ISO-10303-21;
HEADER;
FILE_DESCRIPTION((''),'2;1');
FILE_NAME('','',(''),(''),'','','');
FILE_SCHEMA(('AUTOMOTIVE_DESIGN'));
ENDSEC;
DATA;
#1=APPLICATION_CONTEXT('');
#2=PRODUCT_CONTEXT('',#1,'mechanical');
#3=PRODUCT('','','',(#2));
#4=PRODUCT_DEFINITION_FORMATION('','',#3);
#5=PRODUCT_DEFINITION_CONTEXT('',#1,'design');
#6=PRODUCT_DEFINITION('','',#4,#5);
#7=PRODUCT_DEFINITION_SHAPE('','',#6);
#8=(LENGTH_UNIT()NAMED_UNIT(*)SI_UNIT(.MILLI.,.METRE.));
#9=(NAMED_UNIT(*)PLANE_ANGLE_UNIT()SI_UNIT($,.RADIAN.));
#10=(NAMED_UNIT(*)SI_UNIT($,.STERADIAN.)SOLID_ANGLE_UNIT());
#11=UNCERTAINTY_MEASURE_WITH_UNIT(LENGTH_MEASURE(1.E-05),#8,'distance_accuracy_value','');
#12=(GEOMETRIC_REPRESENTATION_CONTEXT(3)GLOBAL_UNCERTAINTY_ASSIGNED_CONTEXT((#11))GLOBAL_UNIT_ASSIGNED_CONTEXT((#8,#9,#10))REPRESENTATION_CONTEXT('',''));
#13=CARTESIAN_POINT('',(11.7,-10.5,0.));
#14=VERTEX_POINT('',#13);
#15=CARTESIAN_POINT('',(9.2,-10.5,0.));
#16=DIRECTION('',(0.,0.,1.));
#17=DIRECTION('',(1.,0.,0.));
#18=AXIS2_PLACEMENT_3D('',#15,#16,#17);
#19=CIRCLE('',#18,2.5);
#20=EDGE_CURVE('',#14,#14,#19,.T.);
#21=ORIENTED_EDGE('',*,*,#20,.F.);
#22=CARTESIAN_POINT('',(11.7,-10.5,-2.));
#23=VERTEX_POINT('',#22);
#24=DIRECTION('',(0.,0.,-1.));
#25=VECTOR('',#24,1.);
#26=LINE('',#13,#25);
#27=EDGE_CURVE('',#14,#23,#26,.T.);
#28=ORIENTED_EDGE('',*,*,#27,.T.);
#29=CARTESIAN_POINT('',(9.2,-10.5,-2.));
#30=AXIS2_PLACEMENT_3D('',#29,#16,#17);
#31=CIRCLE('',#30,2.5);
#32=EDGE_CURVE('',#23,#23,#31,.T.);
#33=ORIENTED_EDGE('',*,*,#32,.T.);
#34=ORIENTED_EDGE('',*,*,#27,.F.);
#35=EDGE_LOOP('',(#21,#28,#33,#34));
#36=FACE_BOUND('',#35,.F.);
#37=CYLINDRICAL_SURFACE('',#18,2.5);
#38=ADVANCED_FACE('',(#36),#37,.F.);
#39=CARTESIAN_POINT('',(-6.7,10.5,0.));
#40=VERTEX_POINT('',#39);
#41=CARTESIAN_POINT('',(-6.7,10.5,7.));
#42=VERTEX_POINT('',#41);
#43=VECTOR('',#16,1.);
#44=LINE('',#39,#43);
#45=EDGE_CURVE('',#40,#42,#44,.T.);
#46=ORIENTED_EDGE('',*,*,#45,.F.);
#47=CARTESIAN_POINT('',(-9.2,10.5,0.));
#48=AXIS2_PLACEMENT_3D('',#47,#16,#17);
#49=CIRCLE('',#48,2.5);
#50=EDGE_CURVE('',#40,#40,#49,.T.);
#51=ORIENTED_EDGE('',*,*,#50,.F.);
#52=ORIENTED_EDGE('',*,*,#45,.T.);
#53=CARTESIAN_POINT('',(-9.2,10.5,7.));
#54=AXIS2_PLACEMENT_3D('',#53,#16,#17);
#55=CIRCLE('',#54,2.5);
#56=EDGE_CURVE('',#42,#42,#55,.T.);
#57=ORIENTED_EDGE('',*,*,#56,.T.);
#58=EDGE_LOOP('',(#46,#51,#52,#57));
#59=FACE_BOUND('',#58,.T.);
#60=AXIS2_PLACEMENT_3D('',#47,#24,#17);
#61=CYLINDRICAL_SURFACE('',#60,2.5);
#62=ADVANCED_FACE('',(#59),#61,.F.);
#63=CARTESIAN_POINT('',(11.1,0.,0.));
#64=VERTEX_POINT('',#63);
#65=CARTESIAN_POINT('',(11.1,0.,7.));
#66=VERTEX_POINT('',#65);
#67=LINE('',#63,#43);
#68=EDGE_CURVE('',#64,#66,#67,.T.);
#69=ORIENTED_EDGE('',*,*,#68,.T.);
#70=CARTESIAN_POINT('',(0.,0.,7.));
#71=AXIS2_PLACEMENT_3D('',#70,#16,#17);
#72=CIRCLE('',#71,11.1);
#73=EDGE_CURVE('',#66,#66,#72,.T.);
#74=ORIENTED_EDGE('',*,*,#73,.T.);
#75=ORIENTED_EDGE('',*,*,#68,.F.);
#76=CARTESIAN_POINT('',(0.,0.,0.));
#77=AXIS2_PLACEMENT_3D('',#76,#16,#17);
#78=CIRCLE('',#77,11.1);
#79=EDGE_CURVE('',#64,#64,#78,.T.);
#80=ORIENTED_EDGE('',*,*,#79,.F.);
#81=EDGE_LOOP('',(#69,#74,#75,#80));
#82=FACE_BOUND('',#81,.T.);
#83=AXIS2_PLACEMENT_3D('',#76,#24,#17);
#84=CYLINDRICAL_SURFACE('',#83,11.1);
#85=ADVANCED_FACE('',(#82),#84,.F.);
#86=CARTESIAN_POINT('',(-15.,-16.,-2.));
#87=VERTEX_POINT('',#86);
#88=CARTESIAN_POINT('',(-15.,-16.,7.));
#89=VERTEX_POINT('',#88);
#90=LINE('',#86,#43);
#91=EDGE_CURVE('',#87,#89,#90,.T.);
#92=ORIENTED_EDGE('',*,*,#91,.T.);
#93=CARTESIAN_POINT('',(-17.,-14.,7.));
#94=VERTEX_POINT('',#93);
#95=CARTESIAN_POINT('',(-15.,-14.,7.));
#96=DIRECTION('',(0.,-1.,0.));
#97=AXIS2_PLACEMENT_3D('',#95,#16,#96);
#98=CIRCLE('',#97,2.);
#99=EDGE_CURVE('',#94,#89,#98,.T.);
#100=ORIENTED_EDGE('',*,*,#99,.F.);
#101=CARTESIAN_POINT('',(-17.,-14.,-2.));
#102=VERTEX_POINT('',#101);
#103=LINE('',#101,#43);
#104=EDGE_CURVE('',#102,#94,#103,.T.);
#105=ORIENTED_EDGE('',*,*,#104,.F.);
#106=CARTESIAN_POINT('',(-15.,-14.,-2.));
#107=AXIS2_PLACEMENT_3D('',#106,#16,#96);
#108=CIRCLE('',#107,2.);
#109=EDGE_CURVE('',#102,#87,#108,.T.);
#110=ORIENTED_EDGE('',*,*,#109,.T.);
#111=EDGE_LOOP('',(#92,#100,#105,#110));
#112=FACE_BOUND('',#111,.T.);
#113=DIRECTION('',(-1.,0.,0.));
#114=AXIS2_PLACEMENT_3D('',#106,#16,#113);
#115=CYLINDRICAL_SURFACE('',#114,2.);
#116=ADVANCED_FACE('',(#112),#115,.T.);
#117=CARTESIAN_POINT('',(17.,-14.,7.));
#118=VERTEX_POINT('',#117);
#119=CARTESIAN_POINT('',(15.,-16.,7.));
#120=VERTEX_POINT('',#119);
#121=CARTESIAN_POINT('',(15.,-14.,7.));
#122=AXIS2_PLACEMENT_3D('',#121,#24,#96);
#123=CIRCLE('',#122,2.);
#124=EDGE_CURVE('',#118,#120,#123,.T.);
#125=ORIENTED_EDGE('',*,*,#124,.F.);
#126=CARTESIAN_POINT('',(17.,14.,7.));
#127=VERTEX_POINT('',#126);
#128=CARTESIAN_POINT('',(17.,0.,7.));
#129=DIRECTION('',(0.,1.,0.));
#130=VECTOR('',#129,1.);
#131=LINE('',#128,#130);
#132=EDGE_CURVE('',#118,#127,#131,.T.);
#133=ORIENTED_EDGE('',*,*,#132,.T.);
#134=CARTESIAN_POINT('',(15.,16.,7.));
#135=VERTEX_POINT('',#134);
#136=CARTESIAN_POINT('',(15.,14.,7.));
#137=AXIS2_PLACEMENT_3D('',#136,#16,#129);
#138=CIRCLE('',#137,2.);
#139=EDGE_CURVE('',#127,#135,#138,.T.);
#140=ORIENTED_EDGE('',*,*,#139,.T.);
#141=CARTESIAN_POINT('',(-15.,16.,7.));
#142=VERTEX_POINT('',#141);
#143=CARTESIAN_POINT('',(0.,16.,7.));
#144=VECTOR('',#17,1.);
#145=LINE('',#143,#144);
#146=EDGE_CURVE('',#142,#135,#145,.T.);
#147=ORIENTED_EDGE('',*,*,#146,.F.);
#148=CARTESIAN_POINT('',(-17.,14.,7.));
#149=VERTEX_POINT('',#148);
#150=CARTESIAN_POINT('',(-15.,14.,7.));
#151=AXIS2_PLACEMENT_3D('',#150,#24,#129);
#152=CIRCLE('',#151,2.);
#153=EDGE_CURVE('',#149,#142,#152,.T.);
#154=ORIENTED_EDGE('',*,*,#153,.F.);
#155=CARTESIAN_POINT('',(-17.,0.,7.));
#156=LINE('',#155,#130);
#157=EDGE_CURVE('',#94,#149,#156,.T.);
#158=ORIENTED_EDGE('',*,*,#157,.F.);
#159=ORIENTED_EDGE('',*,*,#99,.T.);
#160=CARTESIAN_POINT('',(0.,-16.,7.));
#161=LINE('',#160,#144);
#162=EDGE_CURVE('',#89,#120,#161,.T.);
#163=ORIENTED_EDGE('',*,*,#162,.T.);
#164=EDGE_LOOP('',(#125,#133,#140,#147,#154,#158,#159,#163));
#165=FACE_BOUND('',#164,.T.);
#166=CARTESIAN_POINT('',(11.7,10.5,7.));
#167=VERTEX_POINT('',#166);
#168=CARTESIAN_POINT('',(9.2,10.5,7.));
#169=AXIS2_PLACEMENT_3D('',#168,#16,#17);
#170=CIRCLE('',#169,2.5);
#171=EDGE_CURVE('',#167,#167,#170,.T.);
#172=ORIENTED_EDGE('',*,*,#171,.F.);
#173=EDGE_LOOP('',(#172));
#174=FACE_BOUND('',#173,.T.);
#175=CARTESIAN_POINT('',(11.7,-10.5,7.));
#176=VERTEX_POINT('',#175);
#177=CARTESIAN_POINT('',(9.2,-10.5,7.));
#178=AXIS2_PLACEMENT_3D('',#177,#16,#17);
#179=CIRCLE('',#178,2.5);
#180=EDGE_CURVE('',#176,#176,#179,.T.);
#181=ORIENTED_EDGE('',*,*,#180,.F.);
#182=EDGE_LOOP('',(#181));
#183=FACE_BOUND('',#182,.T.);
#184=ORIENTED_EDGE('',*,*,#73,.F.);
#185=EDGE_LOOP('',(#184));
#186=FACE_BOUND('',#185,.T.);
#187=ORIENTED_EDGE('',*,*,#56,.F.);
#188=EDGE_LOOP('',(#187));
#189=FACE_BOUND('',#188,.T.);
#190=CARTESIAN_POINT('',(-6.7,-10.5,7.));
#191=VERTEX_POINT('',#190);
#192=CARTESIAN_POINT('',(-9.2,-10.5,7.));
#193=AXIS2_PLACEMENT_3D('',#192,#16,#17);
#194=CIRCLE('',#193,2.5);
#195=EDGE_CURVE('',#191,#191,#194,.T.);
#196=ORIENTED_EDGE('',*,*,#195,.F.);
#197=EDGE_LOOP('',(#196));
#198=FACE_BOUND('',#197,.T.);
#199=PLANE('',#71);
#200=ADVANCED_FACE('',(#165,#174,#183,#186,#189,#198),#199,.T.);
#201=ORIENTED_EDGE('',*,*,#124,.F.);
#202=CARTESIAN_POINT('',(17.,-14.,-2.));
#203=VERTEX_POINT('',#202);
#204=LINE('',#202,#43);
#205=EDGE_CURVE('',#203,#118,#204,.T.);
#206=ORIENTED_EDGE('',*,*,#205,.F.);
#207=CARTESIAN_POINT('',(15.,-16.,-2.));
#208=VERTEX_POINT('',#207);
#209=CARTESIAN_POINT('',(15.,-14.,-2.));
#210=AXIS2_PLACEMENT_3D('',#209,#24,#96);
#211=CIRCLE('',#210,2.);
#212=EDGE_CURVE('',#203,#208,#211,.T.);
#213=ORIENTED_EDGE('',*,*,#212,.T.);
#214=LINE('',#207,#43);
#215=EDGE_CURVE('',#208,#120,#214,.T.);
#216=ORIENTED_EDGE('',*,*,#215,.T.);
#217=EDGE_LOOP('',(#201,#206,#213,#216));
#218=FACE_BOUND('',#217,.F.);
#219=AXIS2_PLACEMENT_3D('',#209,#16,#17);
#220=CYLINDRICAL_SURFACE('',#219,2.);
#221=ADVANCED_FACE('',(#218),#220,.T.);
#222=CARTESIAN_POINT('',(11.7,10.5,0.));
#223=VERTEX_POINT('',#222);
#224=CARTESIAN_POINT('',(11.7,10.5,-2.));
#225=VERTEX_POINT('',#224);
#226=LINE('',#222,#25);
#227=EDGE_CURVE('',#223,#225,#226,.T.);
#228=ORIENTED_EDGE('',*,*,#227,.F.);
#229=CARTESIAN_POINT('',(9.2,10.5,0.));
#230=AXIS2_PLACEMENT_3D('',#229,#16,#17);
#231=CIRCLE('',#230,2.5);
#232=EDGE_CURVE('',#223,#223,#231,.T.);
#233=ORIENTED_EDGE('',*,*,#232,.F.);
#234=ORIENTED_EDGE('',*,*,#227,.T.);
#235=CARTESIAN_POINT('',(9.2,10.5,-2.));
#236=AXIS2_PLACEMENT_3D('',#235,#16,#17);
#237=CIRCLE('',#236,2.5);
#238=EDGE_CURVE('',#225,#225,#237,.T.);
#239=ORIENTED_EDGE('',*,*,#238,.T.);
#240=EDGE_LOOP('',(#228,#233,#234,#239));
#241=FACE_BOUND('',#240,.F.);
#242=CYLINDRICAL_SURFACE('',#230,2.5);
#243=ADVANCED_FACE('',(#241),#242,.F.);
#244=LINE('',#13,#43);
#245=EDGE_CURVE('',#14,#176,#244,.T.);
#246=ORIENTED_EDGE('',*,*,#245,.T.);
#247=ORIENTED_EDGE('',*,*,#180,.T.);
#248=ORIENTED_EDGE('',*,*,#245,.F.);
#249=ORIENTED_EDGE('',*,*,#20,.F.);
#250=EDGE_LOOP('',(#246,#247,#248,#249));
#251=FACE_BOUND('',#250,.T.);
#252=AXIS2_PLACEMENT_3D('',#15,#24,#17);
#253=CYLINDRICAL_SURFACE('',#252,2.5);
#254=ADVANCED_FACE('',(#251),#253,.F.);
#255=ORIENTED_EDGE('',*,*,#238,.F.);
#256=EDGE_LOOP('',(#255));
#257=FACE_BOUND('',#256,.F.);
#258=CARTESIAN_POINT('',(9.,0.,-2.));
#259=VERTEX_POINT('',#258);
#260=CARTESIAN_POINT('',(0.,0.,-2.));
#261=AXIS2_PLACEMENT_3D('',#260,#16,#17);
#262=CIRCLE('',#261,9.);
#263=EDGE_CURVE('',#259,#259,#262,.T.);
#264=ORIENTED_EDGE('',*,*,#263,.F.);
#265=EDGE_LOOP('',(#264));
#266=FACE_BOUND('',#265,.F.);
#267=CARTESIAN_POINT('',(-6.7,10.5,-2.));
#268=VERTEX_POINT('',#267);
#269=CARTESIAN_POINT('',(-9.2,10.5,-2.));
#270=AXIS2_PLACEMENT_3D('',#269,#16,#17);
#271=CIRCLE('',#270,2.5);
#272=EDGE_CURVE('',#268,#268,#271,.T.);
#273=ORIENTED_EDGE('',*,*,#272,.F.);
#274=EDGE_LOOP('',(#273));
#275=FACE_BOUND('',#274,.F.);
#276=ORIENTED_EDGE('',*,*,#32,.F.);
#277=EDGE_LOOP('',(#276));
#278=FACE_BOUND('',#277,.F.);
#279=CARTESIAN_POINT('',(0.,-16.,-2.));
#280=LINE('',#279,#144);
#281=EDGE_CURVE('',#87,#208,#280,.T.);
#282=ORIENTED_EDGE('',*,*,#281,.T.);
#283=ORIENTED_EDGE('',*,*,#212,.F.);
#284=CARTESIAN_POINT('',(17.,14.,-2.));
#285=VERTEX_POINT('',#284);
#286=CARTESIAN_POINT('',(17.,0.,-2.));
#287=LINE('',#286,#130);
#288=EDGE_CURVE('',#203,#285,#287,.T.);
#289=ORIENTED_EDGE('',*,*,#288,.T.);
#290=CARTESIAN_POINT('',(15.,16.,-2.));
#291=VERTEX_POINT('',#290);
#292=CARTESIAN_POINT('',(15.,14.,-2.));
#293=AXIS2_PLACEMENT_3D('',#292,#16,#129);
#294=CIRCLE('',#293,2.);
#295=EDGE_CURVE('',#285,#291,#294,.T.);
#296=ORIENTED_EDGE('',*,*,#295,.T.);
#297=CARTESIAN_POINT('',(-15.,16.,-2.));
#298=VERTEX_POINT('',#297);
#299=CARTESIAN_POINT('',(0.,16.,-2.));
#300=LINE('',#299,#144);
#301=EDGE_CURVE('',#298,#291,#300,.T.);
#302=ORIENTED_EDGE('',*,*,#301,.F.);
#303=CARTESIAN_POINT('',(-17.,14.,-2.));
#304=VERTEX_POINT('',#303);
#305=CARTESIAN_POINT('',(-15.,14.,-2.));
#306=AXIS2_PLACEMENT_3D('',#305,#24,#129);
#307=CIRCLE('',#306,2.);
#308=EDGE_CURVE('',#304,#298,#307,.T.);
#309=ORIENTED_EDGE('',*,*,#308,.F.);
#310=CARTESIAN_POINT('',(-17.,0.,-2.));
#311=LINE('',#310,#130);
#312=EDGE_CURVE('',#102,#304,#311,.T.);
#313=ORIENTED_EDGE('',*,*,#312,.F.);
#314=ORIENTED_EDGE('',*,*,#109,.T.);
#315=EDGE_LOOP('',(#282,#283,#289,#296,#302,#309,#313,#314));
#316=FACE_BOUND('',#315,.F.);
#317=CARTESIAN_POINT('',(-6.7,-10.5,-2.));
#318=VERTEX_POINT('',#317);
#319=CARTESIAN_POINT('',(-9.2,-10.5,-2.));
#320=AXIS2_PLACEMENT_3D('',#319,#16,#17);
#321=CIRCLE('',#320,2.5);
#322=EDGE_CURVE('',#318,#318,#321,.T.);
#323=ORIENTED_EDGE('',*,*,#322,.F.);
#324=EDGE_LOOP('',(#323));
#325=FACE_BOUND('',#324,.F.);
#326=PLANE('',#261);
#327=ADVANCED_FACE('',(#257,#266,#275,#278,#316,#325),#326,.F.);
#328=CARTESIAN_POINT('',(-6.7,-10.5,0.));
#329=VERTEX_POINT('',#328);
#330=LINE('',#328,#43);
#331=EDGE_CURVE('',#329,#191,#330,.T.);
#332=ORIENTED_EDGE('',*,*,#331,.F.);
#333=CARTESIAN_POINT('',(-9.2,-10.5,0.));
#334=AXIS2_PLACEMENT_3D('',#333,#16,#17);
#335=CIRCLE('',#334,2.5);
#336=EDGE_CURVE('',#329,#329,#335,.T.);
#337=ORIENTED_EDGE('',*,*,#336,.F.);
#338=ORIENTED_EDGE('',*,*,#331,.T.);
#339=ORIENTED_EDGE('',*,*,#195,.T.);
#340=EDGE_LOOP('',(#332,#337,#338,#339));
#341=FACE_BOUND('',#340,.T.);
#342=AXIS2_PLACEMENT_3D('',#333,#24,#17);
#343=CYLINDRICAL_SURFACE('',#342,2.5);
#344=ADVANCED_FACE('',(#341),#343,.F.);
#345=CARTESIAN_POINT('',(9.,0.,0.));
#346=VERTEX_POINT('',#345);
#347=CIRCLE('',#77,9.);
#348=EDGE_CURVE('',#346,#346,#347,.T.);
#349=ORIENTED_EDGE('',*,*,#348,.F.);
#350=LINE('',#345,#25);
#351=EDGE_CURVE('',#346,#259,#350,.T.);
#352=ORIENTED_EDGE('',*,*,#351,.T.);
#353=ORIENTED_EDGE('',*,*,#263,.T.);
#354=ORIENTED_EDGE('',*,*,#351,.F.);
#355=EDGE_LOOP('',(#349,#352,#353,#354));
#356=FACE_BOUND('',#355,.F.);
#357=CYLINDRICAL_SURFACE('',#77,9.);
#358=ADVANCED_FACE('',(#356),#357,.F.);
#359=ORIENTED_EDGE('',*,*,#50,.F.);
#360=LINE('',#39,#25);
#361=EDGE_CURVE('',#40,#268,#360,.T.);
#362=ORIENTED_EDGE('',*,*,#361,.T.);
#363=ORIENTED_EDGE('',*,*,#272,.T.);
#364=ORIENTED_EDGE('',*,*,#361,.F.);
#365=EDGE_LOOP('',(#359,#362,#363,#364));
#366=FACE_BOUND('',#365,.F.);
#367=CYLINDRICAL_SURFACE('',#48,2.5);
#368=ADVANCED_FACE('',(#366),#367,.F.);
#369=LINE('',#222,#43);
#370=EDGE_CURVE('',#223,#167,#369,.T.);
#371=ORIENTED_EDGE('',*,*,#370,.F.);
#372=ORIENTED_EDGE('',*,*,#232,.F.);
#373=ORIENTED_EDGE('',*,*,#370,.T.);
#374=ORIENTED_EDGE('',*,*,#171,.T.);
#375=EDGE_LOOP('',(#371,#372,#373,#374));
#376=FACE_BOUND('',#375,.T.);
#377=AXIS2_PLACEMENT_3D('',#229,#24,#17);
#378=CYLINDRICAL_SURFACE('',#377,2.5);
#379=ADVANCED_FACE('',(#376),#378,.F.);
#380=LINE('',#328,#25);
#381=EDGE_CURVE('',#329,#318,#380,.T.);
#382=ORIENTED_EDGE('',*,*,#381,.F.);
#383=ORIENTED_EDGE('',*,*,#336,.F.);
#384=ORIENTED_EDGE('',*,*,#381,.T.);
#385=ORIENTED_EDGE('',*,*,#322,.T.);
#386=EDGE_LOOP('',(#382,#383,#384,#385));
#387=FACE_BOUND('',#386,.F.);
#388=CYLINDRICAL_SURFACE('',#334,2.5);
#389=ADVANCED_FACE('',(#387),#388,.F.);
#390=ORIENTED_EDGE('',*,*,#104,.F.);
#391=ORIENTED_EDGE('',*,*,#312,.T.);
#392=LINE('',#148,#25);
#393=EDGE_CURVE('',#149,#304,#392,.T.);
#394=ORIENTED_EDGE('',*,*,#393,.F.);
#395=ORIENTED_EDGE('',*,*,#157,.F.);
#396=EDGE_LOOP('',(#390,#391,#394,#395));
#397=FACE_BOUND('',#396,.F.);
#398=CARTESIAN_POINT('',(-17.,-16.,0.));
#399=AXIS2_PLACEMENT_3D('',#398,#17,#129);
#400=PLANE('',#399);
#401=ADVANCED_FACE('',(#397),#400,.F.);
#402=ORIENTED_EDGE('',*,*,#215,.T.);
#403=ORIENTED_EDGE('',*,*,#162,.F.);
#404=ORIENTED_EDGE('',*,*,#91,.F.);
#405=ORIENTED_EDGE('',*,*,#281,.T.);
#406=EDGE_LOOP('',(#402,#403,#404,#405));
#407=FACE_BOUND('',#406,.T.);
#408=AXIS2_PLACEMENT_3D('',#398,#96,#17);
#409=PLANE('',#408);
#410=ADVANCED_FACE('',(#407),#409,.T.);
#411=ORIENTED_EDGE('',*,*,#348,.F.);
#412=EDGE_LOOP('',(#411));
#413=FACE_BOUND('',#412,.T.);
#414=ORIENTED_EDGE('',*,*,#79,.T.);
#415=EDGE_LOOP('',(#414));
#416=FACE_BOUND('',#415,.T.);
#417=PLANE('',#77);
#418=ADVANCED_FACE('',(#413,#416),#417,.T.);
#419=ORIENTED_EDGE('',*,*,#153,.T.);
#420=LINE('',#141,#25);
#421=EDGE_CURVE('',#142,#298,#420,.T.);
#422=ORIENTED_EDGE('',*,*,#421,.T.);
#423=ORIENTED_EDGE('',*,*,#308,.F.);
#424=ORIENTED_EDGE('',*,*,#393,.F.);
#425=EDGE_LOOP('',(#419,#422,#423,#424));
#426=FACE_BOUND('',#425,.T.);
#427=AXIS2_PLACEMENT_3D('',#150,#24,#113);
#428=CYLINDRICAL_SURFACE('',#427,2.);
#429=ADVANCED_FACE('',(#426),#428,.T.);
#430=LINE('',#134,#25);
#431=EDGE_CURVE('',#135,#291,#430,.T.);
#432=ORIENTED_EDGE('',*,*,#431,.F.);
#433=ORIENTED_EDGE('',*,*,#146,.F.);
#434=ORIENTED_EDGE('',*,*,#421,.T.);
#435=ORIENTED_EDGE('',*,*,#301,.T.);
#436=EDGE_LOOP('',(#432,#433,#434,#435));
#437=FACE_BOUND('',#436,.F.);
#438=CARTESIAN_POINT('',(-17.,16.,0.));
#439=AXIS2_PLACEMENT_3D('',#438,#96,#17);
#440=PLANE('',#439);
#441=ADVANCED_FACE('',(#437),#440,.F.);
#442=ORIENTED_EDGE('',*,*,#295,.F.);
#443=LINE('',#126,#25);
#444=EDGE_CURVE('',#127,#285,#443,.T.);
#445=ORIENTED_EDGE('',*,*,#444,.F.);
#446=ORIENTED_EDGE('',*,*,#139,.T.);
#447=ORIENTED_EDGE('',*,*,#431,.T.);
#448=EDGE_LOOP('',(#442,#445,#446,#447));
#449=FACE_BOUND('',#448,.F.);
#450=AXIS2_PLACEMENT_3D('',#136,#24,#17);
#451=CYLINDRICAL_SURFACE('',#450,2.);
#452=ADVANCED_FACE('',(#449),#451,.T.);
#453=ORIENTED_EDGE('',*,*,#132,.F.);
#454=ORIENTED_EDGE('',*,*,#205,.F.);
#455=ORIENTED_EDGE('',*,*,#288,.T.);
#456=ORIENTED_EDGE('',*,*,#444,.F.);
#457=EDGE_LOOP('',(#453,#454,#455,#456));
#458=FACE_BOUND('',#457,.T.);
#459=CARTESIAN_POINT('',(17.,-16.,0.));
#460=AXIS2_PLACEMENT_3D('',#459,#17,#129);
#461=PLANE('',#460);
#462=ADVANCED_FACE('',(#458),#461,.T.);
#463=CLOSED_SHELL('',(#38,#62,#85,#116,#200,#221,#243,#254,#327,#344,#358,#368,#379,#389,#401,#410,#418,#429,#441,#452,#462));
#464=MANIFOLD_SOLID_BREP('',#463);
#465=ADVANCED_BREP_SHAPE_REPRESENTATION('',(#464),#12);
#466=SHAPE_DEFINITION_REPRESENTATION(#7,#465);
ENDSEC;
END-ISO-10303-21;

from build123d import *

# Parameters (mm, degrees)
SKETCH_W      = 34
SKETCH_H      = 32
SKETCH_R      = 2.5
SKETCH_R_2    = 11.1
PAD_DEPTH     = 7
SKETCH001_W   = 34
SKETCH001_H   = 32
SKETCH001_R   = 2.5
SKETCH001_R_2 = 9
PAD001_DEPTH  = 2
FILLET_R      = 2


with BuildPart() as part:
    # Sketch → Pad (new body)
    with BuildSketch(Plane.XY):
        Rectangle(SKETCH_W, SKETCH_H)
        with Locations((-9.2, 10.5)):
            Circle(SKETCH_R, mode=Mode.SUBTRACT)
        with Locations((9.2, 10.5)):
            Circle(SKETCH_R, mode=Mode.SUBTRACT)
        with Locations((-9.2, -10.5)):
            Circle(SKETCH_R, mode=Mode.SUBTRACT)
        with Locations((9.2, -10.5)):
            Circle(SKETCH_R, mode=Mode.SUBTRACT)
        Circle(SKETCH_R_2, mode=Mode.SUBTRACT)
    extrude(amount=PAD_DEPTH)

    # Sketch001 → Pad001 (join)
    with BuildSketch(Plane.XY):
        Rectangle(SKETCH001_W, SKETCH001_H)
        with Locations((-9.2, 10.5)):
            Circle(SKETCH001_R, mode=Mode.SUBTRACT)
        with Locations((9.2, 10.5)):
            Circle(SKETCH001_R, mode=Mode.SUBTRACT)
        with Locations((-9.2, -10.5)):
            Circle(SKETCH001_R, mode=Mode.SUBTRACT)
        with Locations((9.2, -10.5)):
            Circle(SKETCH001_R, mode=Mode.SUBTRACT)
        Circle(SKETCH001_R_2, mode=Mode.SUBTRACT)
    extrude(amount=-PAD001_DEPTH)

    # Fillet
    fillet_edges = [part.edges().sort_by_distance(p)[0] for p in [
        (17, -16, -1),
        (17, -16, 3.5),
        (-17, -16, -1),
        (-17, -16, 3.5),
        (17, 16, 3.5),
        (17, 16, -1),
        (-17, 16, 3.5),
        (-17, 16, -1),
    ]]
    fillet(fillet_edges, radius=FILLET_R)


solid = part.part
